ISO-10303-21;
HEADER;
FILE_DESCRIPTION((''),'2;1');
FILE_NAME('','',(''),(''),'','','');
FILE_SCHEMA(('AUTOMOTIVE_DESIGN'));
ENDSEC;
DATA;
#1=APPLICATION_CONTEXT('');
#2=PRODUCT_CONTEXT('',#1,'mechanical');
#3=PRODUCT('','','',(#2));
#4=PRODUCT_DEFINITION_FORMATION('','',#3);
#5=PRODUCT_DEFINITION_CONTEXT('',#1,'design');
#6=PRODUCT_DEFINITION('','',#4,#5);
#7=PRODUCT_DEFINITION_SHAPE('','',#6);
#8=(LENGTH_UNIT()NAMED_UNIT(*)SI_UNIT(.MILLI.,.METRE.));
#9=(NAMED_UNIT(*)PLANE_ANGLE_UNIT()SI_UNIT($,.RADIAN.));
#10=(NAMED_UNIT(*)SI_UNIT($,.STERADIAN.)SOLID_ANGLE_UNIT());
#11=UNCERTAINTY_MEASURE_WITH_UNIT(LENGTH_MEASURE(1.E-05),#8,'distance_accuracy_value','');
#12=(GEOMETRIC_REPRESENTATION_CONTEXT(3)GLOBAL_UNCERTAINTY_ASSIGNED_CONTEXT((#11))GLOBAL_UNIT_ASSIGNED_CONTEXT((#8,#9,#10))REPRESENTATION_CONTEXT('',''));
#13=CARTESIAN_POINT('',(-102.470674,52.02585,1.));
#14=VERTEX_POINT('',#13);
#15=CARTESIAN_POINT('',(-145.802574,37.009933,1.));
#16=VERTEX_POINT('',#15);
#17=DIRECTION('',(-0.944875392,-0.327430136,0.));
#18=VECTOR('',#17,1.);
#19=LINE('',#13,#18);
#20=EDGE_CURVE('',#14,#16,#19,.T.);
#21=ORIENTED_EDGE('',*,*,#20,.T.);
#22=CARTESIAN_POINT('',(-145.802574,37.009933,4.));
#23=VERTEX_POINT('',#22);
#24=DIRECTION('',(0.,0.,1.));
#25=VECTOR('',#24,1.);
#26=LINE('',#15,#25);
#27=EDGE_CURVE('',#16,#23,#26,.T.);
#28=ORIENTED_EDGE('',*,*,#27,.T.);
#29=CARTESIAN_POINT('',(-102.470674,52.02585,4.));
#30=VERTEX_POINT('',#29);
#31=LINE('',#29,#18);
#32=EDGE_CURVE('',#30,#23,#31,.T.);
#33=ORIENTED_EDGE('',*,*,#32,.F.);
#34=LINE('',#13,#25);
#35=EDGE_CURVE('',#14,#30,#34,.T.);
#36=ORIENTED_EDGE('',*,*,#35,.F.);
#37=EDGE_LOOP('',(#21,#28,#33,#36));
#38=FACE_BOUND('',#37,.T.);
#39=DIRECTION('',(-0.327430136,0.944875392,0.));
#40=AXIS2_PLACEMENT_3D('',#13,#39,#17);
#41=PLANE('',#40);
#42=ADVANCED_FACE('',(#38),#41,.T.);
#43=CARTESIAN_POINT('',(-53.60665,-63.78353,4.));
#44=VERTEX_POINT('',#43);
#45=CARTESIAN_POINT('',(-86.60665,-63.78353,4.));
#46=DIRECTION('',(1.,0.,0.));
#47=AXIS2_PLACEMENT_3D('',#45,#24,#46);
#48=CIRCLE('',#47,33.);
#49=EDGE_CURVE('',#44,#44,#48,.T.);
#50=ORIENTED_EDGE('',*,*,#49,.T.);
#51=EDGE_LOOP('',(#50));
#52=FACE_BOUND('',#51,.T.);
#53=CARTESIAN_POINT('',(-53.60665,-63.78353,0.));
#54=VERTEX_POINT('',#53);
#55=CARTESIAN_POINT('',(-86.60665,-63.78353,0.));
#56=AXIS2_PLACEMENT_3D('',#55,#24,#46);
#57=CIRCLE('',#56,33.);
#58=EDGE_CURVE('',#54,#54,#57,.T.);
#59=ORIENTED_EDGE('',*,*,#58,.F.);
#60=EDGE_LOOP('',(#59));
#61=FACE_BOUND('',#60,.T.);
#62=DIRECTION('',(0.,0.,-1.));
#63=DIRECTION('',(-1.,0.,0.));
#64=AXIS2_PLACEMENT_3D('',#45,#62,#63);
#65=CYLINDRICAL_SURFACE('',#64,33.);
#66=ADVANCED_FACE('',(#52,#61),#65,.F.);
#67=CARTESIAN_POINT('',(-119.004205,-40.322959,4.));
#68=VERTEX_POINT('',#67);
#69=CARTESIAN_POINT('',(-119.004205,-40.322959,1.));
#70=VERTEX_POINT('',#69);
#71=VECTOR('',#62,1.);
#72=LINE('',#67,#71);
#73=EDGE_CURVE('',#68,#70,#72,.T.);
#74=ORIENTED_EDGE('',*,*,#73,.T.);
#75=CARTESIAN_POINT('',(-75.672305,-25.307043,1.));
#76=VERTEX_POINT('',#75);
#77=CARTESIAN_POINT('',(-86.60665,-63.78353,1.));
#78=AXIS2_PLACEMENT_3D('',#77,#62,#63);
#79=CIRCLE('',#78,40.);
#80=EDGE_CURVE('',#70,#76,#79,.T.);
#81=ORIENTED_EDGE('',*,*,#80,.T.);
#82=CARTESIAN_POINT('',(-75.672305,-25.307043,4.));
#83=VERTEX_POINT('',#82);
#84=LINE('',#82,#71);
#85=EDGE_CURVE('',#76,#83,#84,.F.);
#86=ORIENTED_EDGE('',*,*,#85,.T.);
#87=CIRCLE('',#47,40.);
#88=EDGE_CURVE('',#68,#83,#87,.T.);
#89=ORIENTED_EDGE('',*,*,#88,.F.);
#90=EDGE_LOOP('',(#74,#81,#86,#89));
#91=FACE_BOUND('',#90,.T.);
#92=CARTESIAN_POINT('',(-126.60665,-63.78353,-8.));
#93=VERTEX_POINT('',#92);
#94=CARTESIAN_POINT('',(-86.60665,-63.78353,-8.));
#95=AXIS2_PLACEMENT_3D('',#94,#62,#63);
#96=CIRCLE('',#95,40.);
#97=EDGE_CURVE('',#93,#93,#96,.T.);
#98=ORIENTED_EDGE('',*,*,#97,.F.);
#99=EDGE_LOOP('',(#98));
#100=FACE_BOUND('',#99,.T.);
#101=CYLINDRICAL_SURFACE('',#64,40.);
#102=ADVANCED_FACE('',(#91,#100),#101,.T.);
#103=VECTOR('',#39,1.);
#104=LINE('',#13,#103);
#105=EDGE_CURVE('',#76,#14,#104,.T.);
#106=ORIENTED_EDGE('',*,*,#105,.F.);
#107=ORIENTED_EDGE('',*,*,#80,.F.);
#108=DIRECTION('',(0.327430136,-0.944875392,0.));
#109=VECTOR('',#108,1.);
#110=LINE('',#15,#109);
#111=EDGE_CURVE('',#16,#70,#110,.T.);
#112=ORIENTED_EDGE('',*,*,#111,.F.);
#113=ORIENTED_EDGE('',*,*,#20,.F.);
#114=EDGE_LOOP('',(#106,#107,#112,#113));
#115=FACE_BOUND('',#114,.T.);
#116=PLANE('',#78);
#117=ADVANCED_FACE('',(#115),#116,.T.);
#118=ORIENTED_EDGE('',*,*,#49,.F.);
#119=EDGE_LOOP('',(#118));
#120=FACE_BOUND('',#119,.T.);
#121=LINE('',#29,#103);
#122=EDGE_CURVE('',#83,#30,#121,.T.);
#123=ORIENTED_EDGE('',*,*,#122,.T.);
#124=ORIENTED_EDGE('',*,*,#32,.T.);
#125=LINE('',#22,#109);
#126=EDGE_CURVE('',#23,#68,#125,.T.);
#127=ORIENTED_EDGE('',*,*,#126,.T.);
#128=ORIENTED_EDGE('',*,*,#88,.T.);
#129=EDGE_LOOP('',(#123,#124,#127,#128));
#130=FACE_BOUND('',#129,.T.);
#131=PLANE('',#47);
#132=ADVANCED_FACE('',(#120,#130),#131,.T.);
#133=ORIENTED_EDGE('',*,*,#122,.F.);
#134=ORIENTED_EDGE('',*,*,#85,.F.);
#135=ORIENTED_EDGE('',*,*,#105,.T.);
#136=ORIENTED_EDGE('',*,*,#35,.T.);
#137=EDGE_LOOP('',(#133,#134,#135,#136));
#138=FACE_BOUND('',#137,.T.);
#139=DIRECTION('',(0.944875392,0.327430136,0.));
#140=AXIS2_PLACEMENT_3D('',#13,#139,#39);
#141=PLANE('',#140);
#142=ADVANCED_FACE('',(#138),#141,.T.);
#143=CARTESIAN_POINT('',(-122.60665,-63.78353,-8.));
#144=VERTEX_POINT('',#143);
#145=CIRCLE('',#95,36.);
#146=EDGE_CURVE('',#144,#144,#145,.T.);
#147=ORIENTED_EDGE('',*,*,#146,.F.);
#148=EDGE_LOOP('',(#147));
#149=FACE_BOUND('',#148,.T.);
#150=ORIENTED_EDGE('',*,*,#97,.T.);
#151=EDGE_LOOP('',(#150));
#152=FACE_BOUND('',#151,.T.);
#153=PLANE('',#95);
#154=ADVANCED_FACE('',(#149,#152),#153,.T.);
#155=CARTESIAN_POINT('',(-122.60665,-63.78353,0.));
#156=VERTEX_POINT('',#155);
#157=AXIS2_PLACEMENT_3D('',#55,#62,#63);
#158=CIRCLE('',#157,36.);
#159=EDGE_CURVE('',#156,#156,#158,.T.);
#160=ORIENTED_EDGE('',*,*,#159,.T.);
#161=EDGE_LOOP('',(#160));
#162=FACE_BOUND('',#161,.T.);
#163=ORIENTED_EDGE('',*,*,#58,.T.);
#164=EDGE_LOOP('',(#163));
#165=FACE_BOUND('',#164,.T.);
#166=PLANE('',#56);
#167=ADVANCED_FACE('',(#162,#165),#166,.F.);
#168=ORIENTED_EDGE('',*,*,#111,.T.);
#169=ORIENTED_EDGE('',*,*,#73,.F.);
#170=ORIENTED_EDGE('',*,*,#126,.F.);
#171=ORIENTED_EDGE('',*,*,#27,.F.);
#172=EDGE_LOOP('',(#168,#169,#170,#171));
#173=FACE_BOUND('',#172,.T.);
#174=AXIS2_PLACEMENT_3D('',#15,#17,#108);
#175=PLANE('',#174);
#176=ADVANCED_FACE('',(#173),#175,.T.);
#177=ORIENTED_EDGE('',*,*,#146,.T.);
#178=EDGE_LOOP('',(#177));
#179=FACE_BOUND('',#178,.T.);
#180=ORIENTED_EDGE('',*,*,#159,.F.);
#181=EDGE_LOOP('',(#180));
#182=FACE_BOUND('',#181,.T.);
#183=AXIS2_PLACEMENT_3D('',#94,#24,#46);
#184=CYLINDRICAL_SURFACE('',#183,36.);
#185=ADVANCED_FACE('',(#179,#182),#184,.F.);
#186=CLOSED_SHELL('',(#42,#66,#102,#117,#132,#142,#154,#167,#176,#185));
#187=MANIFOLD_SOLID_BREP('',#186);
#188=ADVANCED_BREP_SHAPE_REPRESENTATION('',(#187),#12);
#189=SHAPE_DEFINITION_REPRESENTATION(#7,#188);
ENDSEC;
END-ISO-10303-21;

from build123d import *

# Parameters (mm, degrees)
SKETCH_1_R      = 40
SKETCH_1_R_2    = 33
EXTRUDE_1_DEPTH = 4
EXTRUDE_START   = 8
SKETCH_2_R      = 40
SKETCH_2_R_2    = 36
EXTRUDE_2_DEPTH = 8
EXTRUDE_3_DEPTH = 3


with BuildPart() as part:
    # 草图1 → 凸台-拉伸1 (new body)
    with BuildSketch(Plane.XY):
        with Locations((-86.606649797, -63.783530386)):
            Circle(SKETCH_1_R)
        with Locations((-86.606649797, -63.783530386)):
            Circle(SKETCH_1_R_2, mode=Mode.SUBTRACT)
    extrude(amount=EXTRUDE_1_DEPTH)

    # 草图2 → 凸台-拉伸2 (add)
    with BuildSketch(Plane(origin=(0, 0, 0), x_dir=(-1, 0, 0), z_dir=(0, 0, -1)).offset(EXTRUDE_START)):
        with Locations((86.606649797, -63.783530386)):
            Circle(SKETCH_2_R)
        with Locations((86.606649797, -63.783530386)):
            Circle(SKETCH_2_R_2, mode=Mode.SUBTRACT)
    extrude(amount=-EXTRUDE_2_DEPTH)

    # 草图4 → 凸台-拉伸3 (add)
    with BuildSketch(Plane.XY.offset(4)):
        with BuildLine():
            Line((-102.470674133, 52.025849932), (-145.802574452, 37.009933401))
            Line((-145.802574452, 37.009933401), (-118.238289751, -42.533185695))
            ThreePointArc((-118.238289751, -42.533185695), (-99.084005703, -27.777233919), (-74.906389432, -27.517269163))
            Line((-74.906389432, -27.517269163), (-102.470674133, 52.025849932))
        make_face()
    extrude(amount=-EXTRUDE_3_DEPTH)


solid = part.part
